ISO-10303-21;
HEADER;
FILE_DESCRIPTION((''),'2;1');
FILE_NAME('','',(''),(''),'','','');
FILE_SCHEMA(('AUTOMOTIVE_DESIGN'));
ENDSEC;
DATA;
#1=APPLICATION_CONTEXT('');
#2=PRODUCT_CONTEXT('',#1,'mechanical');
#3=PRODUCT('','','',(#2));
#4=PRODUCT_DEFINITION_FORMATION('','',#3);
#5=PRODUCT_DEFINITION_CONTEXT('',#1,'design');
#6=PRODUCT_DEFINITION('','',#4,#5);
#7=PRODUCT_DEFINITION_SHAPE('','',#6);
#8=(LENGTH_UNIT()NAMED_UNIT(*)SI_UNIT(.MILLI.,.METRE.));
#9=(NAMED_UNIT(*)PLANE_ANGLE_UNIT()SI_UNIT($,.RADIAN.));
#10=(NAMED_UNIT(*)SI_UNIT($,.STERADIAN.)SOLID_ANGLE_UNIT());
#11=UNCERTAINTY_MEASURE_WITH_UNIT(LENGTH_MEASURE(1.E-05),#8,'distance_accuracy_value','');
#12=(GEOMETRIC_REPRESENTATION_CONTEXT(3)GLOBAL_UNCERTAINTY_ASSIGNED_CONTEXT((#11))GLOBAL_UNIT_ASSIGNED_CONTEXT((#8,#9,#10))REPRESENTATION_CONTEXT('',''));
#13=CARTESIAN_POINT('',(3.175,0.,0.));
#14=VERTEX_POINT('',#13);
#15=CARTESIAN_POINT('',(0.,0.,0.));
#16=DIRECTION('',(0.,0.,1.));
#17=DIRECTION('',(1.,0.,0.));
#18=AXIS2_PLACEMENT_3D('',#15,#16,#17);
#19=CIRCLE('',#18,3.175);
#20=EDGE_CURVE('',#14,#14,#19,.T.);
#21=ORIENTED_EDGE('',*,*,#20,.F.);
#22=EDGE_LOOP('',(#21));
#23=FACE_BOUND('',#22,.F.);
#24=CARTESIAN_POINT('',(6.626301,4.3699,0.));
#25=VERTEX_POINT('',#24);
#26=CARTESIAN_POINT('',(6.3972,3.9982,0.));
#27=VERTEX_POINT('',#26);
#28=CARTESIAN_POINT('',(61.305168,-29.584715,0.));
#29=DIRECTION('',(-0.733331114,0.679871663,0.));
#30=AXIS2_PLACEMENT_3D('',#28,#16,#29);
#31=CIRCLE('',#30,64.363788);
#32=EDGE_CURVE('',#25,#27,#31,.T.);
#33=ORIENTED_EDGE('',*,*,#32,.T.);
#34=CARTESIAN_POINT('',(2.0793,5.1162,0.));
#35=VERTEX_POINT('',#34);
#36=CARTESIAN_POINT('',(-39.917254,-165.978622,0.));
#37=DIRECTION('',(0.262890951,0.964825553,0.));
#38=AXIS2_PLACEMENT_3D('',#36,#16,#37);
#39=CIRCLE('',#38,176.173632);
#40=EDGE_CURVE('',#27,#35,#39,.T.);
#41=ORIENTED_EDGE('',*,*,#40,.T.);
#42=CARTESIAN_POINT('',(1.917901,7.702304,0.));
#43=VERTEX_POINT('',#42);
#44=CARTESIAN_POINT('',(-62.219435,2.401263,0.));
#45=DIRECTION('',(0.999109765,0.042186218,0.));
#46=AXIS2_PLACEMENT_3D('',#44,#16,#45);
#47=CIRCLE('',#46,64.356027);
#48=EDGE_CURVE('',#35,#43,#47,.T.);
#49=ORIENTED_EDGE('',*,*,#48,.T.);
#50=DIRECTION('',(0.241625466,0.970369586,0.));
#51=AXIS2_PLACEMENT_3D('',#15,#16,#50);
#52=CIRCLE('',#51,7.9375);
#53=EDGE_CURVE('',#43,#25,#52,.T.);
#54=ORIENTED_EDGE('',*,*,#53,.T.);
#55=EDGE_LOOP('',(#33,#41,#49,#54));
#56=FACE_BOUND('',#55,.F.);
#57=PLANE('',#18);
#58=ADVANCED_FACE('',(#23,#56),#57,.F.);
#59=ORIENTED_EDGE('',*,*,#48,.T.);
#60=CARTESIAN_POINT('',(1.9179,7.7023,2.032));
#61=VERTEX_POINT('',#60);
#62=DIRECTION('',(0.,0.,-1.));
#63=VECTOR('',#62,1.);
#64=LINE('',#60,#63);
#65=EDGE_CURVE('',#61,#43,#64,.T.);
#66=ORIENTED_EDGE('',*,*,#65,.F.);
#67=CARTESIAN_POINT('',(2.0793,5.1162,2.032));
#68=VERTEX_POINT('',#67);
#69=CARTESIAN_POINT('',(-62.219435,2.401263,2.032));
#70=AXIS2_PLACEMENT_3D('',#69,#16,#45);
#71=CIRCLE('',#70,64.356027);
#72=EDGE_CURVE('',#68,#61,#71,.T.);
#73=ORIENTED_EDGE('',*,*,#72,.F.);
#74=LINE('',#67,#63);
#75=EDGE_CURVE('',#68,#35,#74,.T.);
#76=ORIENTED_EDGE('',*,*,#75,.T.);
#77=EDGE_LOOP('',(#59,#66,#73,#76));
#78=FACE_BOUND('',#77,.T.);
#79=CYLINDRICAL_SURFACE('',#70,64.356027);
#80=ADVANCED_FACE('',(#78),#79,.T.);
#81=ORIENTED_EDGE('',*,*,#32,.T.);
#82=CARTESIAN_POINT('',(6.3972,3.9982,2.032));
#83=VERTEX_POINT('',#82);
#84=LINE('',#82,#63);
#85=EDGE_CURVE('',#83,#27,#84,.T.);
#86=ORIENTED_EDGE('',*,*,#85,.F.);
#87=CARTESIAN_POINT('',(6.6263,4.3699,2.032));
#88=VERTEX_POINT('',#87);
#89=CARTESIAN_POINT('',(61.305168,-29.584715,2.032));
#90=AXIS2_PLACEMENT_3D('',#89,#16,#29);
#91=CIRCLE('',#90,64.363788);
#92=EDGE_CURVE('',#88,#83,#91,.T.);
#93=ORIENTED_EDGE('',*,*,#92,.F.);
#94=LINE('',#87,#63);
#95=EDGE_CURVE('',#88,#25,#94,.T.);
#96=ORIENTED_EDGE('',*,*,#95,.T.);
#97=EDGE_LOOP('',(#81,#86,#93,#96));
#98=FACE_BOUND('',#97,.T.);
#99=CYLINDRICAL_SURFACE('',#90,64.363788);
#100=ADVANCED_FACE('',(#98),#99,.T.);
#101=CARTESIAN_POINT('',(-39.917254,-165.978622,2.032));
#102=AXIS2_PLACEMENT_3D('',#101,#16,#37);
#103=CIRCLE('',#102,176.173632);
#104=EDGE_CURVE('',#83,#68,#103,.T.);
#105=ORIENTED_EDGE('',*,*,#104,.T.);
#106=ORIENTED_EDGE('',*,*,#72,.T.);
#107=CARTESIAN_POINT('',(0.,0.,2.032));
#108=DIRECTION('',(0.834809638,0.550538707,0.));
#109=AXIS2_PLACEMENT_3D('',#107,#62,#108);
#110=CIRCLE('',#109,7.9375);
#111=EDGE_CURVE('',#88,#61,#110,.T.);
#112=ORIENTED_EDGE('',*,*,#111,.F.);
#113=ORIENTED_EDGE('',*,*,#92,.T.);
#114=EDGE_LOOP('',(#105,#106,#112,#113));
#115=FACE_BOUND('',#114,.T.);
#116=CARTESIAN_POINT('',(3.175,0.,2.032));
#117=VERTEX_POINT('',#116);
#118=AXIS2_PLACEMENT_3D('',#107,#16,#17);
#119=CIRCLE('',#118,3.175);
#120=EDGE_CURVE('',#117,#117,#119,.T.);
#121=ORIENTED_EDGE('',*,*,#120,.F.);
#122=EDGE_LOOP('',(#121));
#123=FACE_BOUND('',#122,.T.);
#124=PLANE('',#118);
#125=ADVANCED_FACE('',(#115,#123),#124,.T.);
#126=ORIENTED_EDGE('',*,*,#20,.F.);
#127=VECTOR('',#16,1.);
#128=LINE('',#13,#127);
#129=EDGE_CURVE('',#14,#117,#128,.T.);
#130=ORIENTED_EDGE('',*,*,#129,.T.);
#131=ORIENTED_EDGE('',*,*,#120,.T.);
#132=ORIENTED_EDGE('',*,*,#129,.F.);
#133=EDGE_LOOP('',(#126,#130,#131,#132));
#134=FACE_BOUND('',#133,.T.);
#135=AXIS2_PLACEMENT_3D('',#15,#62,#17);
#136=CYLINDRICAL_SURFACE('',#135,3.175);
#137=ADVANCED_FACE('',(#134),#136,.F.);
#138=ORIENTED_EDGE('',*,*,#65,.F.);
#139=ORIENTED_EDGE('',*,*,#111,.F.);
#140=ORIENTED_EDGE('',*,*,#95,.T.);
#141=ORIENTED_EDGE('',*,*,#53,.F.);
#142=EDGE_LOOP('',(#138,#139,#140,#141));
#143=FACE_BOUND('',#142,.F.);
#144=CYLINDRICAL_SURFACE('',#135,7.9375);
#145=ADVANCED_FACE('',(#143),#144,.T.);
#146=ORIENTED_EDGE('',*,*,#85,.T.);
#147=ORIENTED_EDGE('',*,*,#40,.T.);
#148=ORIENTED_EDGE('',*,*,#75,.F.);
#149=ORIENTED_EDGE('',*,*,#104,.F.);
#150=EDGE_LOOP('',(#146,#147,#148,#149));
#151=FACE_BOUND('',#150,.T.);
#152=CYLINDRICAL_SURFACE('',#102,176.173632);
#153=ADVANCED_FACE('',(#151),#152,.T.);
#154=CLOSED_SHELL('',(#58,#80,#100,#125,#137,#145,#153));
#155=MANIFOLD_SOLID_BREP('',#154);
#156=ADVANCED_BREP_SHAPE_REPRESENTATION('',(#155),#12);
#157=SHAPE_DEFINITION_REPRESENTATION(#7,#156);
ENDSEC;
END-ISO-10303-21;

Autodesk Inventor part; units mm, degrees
ref_plane "YZ Plane" through (0, 0, 0) normal (1, 0, 0) x (0, 1, 0)
ref_plane "XZ Plane" through (0, 0, 0) normal (0, 1, 0) x (-1, 0, 0)
ref_plane "XY Plane" through (0, 0, 0) normal (0, 0, 1) x (1, 0, 0)
sketch "Sketch1" plane through (0, 0, 0) normal (0, 0, 1) x (1, 0, 0)
  circle A0 centre (0, 0) radius 7.9375
  circle A1 centre (0, 0) radius 3.175
  dimension "d0" = 15.875
  dimension "d1" = 6.35
extrude "Extrusion1" add sketch "Sketch1" along normal blind 2.032
sketch "Sketch2" plane through (0, 0, 2.032) normal (0, 0, 1) x (1, 0, 0)
  circle A0 centre (0, 0) radius 7.9375 construction
  arc A1 (2.0793, 5.1162) -> (0.2784, 17.7544) centre (-62.2212, 2.4011) ccw projected
  arc A2 (14.1052, 14.1744) -> (6.3972, 3.9982) centre (61.3005, -29.5808) ccw projected
  arc A3 (6.3972, 3.9982) -> (2.0793, 5.1162) centre (-39.8868, -165.864) ccw projected
  arc A4 (6.6263, 4.3699) -> (1.9179, 7.7023) centre (0, 0) ccw
extrude "Extrusion2" cut sketch "Sketch2" against normal blind 25.4
properties part number "Gear Washer Spacer 3" material "Steel"
